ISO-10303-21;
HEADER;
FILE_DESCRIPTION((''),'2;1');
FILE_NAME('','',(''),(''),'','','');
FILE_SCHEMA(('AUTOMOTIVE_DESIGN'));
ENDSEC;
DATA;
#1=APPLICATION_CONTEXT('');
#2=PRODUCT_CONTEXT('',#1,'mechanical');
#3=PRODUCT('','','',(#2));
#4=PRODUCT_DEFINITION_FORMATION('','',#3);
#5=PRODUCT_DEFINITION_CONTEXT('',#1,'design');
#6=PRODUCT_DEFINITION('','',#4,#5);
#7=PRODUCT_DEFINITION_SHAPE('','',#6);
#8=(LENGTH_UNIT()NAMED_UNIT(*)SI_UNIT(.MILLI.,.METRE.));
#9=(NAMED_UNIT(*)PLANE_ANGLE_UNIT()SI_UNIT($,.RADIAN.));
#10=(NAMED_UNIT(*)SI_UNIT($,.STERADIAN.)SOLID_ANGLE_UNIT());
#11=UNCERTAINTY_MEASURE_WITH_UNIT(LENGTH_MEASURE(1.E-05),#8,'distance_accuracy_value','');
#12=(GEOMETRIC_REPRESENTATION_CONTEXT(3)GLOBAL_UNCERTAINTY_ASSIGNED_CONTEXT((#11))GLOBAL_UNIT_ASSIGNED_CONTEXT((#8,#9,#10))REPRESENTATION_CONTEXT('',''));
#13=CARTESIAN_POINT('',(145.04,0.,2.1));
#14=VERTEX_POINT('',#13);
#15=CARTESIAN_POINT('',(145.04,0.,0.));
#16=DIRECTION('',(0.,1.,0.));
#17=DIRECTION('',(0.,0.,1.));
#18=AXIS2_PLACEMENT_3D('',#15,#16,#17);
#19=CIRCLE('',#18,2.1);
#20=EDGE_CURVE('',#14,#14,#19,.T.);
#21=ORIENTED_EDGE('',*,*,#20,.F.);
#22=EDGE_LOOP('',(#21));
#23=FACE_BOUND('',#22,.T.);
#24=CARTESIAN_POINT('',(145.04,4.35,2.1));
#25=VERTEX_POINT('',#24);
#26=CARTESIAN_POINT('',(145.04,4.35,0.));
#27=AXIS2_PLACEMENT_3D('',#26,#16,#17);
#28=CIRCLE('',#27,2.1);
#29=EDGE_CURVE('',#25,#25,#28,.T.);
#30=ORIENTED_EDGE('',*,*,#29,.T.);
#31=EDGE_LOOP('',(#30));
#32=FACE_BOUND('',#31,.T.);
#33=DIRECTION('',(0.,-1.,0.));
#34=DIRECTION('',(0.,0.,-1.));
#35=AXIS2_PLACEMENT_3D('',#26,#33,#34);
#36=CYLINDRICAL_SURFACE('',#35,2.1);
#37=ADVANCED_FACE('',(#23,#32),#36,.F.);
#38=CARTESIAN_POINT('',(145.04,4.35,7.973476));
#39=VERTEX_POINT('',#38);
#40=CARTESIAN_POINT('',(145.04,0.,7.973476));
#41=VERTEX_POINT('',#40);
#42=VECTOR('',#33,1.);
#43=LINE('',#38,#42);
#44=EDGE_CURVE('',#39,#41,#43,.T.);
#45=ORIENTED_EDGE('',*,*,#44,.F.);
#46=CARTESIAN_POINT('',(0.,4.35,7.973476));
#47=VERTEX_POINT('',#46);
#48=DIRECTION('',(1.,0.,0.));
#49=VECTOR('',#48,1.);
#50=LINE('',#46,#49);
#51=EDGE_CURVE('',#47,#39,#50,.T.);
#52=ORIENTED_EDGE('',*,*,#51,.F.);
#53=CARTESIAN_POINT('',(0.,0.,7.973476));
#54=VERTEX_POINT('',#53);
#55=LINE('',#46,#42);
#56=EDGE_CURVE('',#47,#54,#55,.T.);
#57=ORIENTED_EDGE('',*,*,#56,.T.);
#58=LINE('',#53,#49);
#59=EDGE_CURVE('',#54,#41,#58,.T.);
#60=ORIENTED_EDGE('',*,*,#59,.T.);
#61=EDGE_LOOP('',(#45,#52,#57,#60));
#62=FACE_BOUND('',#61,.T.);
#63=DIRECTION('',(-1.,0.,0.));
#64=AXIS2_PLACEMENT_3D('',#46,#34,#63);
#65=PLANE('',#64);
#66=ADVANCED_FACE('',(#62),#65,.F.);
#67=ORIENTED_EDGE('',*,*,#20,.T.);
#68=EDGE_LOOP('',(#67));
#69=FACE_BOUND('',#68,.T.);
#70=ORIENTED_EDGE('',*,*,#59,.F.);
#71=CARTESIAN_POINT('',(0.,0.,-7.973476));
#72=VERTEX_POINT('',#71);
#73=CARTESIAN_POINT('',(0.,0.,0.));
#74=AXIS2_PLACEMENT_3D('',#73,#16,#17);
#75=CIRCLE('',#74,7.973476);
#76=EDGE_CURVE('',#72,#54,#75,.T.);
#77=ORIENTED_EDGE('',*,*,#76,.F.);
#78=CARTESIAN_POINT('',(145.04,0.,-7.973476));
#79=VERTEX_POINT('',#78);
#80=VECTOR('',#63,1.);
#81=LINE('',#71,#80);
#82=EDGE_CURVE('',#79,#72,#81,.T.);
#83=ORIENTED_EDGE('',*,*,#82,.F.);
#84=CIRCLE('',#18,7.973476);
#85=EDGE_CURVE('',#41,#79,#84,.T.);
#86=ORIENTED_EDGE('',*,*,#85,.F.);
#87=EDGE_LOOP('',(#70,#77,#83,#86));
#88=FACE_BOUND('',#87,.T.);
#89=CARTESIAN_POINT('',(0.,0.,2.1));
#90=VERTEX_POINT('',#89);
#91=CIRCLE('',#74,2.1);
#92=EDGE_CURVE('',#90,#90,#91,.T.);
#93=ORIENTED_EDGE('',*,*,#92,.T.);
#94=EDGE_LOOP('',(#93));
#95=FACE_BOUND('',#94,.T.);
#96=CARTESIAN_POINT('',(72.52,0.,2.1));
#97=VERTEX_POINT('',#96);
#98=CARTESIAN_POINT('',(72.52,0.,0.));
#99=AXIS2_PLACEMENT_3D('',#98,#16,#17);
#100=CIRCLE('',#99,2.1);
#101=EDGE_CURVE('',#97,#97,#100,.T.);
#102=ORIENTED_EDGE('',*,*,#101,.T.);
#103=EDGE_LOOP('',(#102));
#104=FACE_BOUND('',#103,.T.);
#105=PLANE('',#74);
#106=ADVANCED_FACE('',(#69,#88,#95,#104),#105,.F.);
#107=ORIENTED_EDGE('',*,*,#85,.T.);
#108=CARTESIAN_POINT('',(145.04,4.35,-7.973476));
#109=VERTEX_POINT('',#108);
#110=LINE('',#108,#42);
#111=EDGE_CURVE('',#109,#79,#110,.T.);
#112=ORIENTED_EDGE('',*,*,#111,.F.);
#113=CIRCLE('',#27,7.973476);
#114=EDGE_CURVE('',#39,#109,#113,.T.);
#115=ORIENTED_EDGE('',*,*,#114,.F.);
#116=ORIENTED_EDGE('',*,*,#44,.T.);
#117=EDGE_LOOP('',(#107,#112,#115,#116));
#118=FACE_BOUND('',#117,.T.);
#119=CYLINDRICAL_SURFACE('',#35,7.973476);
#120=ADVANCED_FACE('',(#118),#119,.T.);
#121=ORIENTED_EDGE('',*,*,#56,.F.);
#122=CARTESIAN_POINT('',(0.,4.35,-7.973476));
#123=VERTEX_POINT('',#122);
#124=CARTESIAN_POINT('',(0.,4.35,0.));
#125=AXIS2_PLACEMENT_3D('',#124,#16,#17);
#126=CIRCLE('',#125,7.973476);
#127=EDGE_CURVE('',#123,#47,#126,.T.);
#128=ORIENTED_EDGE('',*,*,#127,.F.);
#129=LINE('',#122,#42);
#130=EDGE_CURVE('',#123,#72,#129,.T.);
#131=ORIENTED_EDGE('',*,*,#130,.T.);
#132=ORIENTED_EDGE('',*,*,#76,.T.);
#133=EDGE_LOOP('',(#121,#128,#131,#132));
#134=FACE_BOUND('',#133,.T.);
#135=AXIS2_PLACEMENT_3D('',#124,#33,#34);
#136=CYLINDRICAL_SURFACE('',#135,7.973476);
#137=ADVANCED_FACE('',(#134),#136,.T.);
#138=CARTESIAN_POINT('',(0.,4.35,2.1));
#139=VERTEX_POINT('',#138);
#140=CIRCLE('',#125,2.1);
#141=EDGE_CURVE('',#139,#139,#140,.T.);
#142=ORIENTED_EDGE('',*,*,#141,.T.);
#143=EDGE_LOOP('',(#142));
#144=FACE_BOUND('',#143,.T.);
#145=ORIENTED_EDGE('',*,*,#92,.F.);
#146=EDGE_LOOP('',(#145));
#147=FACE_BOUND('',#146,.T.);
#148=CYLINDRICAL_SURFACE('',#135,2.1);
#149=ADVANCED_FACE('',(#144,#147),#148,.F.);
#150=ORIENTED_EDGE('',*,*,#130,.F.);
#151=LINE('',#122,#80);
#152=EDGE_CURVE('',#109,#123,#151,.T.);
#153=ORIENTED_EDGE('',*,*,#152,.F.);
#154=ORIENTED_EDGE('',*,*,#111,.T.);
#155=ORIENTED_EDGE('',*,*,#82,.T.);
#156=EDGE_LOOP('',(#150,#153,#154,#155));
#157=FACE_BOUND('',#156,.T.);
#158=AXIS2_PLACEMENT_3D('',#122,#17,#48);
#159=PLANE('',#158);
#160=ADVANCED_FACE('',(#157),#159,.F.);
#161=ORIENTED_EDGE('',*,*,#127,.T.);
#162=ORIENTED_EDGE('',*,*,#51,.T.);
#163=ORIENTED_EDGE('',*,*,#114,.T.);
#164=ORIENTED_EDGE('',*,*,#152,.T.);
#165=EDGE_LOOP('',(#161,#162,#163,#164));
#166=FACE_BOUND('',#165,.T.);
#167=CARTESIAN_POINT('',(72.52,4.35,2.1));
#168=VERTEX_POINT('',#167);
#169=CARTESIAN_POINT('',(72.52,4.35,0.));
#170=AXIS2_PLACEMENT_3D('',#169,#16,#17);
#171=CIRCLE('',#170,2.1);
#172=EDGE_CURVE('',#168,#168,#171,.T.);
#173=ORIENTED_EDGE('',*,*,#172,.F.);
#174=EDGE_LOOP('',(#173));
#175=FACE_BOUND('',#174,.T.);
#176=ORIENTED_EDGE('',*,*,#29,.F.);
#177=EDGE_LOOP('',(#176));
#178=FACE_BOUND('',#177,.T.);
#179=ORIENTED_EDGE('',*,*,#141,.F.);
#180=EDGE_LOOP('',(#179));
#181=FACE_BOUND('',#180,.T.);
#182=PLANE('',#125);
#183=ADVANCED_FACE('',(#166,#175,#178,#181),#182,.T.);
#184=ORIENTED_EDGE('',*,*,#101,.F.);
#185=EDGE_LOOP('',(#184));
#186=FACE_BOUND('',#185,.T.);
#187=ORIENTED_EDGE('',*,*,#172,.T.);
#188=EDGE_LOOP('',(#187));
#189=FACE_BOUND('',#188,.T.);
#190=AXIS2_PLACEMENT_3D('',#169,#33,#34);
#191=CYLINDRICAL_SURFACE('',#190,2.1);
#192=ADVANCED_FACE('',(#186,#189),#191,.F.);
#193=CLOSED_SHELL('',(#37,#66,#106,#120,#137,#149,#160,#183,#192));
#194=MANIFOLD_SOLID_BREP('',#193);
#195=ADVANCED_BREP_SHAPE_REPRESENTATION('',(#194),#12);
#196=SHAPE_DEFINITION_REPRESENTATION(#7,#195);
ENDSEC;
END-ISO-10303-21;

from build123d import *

# Parameters (mm, degrees)
SKETCH1_R           = 2.1
BOSS_EXTRUDE1_DEPTH = 4.35


with BuildPart() as part:
    # Sketch1 → Boss-Extrude1 (new body)
    with BuildSketch(Plane(origin=(0, 0, 0), x_dir=(1, 0, 0), z_dir=(0, 1, 0))):
        with BuildLine():
            Line((0, 7.973476097), (145.04, 7.973476097))
            ThreePointArc((145.04, 7.973476097), (153.013476097, 0), (145.04, -7.973476097))
            Line((145.04, -7.973476097), (0, -7.973476097))
            ThreePointArc((0, -7.973476097), (-7.973476097, 0), (0, 7.973476097))
        make_face()
        with Locations(Location((145.04, 0, 0), (0, 0, 270))):
            Circle(SKETCH1_R, mode=Mode.SUBTRACT)
        with Locations(Location((72.52, 0, 0), (0, 0, 270))):
            Circle(SKETCH1_R, mode=Mode.SUBTRACT)
        with Locations(Location((0, 0, 0), (0, 0, 270))):
            Circle(SKETCH1_R, mode=Mode.SUBTRACT)
    extrude(amount=BOSS_EXTRUDE1_DEPTH)


solid = part.part
